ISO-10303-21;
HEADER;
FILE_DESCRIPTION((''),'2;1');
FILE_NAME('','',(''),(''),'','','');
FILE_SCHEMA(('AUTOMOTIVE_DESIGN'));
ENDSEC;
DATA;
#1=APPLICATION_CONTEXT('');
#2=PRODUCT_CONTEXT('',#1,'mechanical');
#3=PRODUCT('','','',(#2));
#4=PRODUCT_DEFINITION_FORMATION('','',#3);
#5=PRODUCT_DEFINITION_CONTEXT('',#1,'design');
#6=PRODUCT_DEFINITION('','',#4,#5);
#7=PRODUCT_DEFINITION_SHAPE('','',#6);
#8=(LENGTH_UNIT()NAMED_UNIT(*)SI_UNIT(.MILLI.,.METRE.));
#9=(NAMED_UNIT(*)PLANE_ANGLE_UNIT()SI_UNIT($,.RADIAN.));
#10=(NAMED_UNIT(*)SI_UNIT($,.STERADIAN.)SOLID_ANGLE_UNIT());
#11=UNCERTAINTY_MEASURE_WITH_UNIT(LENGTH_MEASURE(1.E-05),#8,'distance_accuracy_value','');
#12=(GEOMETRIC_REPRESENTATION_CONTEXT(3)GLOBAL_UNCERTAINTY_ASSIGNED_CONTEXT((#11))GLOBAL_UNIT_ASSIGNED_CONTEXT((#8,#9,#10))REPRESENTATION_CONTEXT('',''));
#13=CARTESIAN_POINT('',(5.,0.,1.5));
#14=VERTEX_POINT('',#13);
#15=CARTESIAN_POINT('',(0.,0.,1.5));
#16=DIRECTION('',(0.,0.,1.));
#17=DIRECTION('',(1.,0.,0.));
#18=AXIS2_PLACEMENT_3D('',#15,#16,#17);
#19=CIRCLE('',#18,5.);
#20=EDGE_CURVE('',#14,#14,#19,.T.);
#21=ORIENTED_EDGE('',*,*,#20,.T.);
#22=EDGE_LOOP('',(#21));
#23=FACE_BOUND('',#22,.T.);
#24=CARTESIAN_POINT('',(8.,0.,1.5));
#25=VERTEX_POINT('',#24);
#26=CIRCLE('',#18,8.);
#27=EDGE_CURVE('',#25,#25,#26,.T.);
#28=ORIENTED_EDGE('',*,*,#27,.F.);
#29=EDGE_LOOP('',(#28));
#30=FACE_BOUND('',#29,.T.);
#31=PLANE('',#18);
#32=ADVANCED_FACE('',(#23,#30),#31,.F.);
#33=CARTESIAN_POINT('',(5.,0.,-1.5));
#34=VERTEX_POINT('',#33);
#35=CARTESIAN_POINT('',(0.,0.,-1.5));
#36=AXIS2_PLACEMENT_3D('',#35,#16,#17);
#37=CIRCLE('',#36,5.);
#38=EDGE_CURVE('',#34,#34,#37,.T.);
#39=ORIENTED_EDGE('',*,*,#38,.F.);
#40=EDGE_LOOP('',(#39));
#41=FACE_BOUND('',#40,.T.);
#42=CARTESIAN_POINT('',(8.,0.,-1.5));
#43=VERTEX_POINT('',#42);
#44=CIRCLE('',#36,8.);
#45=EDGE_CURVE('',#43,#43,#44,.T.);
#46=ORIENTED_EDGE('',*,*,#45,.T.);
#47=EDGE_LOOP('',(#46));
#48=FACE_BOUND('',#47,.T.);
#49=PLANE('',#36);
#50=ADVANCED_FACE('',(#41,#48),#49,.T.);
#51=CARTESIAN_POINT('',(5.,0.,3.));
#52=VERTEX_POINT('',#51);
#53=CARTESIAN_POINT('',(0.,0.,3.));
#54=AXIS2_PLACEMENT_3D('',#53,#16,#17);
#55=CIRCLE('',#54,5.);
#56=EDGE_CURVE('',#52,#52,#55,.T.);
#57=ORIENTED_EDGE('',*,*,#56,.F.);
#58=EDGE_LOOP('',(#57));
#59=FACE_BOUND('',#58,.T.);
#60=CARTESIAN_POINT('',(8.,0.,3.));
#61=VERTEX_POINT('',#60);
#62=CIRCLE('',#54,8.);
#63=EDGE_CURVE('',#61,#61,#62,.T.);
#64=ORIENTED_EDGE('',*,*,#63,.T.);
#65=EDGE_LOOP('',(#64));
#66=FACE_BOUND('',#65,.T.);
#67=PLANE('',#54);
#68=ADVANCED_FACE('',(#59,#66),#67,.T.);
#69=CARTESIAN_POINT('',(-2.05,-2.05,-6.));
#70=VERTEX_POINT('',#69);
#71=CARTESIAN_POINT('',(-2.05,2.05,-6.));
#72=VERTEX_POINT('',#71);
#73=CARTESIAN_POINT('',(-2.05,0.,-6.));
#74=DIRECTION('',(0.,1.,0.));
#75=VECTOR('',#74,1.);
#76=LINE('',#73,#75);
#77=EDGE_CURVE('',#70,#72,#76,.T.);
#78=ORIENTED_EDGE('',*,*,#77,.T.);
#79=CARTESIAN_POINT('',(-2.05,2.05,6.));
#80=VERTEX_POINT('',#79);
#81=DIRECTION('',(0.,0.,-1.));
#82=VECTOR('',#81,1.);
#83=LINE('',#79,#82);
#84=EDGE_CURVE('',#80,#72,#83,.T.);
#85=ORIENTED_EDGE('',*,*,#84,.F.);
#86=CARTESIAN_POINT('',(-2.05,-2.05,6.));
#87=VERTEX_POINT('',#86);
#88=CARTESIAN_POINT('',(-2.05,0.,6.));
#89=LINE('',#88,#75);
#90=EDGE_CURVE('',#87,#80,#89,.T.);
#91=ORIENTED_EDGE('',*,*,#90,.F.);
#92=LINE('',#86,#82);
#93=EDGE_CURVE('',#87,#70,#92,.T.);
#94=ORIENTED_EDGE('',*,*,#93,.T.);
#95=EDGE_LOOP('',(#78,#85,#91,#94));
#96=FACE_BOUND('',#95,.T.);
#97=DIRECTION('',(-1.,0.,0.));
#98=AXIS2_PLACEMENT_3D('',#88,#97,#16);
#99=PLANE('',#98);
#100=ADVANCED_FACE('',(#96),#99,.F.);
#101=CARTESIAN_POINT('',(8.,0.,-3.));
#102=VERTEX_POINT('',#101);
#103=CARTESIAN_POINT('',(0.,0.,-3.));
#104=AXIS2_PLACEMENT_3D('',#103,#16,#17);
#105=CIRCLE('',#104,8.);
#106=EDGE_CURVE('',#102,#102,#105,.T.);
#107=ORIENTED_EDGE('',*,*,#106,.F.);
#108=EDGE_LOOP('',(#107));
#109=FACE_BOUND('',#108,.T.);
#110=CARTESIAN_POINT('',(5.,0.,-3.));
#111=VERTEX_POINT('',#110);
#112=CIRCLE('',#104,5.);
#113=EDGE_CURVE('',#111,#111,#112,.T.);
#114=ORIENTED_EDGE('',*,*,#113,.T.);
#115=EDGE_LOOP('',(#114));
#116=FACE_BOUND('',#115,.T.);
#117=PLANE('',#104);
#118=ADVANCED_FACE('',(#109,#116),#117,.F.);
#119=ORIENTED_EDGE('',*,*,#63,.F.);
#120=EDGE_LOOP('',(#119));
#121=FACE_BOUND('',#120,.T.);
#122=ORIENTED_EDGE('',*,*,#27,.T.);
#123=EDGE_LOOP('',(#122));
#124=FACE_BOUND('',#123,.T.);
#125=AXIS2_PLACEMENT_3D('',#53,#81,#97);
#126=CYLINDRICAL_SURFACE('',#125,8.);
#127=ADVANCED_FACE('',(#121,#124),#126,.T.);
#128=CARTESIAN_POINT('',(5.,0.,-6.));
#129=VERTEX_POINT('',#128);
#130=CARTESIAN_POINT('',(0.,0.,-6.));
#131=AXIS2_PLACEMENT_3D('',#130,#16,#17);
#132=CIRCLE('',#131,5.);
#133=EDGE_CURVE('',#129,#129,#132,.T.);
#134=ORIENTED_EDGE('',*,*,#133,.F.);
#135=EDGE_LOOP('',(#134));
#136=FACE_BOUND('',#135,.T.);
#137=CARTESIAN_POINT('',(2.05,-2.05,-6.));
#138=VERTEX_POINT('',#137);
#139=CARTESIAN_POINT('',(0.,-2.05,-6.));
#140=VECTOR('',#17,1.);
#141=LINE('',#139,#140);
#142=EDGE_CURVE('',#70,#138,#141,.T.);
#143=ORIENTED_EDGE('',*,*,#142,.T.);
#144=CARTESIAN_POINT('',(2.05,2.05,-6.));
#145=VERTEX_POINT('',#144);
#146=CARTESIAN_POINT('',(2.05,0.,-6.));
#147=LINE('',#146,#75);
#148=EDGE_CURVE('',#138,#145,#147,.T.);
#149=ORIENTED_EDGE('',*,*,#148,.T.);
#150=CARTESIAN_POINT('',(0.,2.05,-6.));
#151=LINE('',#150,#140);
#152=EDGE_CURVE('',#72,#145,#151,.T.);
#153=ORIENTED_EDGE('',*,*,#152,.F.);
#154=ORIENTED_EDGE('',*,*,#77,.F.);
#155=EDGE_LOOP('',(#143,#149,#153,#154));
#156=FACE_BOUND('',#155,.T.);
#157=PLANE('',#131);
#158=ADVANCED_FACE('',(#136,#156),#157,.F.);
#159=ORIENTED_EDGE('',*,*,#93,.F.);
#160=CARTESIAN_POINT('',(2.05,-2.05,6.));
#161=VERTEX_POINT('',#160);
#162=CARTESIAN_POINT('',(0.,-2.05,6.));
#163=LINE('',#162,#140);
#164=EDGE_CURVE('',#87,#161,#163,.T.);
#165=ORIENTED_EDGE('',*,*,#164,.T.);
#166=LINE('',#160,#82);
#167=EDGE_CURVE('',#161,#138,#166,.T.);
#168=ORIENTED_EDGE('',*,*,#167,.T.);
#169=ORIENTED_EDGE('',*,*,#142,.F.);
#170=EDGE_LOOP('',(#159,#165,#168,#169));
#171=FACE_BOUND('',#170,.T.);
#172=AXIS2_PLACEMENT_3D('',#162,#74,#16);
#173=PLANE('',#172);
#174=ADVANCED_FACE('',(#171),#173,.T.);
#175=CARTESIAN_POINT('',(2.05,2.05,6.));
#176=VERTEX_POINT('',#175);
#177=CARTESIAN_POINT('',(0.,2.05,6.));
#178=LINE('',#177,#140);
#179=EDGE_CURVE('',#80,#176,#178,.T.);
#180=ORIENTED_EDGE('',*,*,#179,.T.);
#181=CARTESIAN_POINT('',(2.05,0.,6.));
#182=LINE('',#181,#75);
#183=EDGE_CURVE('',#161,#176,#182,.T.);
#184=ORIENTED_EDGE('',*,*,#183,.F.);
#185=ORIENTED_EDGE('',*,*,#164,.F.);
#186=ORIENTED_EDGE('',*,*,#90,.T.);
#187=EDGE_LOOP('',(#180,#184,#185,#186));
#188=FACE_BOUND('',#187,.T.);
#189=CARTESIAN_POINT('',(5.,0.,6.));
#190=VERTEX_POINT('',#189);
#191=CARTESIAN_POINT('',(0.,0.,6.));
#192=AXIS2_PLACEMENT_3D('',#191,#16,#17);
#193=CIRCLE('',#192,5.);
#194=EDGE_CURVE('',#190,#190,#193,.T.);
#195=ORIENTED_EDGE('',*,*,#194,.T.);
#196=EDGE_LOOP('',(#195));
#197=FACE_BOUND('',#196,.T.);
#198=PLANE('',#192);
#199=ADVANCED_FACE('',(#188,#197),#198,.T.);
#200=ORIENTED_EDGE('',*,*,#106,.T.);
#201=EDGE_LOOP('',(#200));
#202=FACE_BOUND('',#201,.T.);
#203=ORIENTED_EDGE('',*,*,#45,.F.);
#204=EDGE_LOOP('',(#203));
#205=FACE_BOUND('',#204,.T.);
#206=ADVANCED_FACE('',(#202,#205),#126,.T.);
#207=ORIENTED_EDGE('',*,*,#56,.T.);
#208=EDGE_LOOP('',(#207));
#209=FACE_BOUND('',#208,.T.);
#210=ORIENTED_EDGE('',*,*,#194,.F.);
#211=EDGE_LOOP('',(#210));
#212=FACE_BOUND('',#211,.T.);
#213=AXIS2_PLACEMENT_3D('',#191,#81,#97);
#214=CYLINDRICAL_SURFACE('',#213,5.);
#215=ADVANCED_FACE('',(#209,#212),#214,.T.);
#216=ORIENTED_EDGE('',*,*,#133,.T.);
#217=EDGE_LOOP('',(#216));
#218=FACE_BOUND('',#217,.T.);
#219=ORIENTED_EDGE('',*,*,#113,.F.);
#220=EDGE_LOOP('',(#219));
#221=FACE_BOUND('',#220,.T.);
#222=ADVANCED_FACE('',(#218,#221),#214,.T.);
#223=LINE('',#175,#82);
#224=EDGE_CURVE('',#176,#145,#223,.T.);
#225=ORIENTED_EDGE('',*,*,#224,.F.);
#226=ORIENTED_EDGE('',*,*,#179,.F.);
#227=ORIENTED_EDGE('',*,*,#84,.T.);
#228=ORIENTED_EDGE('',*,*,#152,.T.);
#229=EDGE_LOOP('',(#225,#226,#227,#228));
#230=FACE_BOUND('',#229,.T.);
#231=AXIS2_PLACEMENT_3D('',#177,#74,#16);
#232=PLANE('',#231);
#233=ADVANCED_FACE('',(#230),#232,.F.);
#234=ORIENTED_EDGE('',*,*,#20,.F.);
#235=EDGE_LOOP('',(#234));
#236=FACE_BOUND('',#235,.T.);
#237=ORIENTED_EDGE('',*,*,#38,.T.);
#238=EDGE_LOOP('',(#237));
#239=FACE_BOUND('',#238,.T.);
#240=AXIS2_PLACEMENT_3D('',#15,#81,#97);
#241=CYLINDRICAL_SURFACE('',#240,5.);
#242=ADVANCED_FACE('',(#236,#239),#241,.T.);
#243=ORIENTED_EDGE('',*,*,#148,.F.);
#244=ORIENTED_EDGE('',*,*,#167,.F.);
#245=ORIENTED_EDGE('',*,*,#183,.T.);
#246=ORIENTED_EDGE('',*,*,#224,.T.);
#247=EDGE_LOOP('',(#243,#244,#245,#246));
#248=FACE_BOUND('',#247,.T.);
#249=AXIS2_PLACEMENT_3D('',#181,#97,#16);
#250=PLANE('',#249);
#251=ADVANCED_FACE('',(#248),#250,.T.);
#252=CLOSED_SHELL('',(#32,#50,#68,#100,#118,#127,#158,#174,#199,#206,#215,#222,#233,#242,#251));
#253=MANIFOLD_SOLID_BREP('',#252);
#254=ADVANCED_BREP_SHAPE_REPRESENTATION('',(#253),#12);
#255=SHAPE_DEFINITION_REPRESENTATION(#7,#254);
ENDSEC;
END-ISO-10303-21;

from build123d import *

# Parameters (mm, degrees)
SKETCH1_R               = 5
SKETCH1_W               = 4.1
SKETCH1_H               = 4.1
BOSS_EXTRUDE1_DEPTH     = 6
SKETCH1_3_R             = 8
SKETCH1_3_R_2           = 5
BOSS_EXTRUDE2_DEPTH     = 3
SKETCH1_6_R             = 8
SKETCH1_6_R_2           = 5
CUT_EXTRUDE_THIN1_DEPTH = 1.5


with BuildPart() as part:
    # Sketch1 → Boss-Extrude1 (new, symmetric)
    with BuildSketch(Plane.XY):
        Circle(SKETCH1_R)
        Rectangle(SKETCH1_W, SKETCH1_H, mode=Mode.SUBTRACT)
    extrude(amount=BOSS_EXTRUDE1_DEPTH, both=True)

    # Sketch1<3> → Boss-Extrude2 (add, symmetric)
    # profile 1 of 2: a face of its own
    with BuildSketch(Plane.XY):
        Circle(SKETCH1_3_R)
        Circle(SKETCH1_3_R_2, mode=Mode.SUBTRACT)
    # profile 2 of 2: a face of its own
    with BuildSketch(Plane.XY):
        Circle(SKETCH1_3_R)
        Circle(SKETCH1_3_R_2, mode=Mode.SUBTRACT)
    extrude(amount=BOSS_EXTRUDE2_DEPTH, both=True)

    # Sketch1<6> → Cut-Extrude-Thin1 (cut, symmetric)
    with BuildSketch(Plane.XY):
        Circle(SKETCH1_6_R)
        Circle(SKETCH1_6_R_2, mode=Mode.SUBTRACT)
    extrude(amount=CUT_EXTRUDE_THIN1_DEPTH, both=True, mode=Mode.SUBTRACT)


solid = part.part
